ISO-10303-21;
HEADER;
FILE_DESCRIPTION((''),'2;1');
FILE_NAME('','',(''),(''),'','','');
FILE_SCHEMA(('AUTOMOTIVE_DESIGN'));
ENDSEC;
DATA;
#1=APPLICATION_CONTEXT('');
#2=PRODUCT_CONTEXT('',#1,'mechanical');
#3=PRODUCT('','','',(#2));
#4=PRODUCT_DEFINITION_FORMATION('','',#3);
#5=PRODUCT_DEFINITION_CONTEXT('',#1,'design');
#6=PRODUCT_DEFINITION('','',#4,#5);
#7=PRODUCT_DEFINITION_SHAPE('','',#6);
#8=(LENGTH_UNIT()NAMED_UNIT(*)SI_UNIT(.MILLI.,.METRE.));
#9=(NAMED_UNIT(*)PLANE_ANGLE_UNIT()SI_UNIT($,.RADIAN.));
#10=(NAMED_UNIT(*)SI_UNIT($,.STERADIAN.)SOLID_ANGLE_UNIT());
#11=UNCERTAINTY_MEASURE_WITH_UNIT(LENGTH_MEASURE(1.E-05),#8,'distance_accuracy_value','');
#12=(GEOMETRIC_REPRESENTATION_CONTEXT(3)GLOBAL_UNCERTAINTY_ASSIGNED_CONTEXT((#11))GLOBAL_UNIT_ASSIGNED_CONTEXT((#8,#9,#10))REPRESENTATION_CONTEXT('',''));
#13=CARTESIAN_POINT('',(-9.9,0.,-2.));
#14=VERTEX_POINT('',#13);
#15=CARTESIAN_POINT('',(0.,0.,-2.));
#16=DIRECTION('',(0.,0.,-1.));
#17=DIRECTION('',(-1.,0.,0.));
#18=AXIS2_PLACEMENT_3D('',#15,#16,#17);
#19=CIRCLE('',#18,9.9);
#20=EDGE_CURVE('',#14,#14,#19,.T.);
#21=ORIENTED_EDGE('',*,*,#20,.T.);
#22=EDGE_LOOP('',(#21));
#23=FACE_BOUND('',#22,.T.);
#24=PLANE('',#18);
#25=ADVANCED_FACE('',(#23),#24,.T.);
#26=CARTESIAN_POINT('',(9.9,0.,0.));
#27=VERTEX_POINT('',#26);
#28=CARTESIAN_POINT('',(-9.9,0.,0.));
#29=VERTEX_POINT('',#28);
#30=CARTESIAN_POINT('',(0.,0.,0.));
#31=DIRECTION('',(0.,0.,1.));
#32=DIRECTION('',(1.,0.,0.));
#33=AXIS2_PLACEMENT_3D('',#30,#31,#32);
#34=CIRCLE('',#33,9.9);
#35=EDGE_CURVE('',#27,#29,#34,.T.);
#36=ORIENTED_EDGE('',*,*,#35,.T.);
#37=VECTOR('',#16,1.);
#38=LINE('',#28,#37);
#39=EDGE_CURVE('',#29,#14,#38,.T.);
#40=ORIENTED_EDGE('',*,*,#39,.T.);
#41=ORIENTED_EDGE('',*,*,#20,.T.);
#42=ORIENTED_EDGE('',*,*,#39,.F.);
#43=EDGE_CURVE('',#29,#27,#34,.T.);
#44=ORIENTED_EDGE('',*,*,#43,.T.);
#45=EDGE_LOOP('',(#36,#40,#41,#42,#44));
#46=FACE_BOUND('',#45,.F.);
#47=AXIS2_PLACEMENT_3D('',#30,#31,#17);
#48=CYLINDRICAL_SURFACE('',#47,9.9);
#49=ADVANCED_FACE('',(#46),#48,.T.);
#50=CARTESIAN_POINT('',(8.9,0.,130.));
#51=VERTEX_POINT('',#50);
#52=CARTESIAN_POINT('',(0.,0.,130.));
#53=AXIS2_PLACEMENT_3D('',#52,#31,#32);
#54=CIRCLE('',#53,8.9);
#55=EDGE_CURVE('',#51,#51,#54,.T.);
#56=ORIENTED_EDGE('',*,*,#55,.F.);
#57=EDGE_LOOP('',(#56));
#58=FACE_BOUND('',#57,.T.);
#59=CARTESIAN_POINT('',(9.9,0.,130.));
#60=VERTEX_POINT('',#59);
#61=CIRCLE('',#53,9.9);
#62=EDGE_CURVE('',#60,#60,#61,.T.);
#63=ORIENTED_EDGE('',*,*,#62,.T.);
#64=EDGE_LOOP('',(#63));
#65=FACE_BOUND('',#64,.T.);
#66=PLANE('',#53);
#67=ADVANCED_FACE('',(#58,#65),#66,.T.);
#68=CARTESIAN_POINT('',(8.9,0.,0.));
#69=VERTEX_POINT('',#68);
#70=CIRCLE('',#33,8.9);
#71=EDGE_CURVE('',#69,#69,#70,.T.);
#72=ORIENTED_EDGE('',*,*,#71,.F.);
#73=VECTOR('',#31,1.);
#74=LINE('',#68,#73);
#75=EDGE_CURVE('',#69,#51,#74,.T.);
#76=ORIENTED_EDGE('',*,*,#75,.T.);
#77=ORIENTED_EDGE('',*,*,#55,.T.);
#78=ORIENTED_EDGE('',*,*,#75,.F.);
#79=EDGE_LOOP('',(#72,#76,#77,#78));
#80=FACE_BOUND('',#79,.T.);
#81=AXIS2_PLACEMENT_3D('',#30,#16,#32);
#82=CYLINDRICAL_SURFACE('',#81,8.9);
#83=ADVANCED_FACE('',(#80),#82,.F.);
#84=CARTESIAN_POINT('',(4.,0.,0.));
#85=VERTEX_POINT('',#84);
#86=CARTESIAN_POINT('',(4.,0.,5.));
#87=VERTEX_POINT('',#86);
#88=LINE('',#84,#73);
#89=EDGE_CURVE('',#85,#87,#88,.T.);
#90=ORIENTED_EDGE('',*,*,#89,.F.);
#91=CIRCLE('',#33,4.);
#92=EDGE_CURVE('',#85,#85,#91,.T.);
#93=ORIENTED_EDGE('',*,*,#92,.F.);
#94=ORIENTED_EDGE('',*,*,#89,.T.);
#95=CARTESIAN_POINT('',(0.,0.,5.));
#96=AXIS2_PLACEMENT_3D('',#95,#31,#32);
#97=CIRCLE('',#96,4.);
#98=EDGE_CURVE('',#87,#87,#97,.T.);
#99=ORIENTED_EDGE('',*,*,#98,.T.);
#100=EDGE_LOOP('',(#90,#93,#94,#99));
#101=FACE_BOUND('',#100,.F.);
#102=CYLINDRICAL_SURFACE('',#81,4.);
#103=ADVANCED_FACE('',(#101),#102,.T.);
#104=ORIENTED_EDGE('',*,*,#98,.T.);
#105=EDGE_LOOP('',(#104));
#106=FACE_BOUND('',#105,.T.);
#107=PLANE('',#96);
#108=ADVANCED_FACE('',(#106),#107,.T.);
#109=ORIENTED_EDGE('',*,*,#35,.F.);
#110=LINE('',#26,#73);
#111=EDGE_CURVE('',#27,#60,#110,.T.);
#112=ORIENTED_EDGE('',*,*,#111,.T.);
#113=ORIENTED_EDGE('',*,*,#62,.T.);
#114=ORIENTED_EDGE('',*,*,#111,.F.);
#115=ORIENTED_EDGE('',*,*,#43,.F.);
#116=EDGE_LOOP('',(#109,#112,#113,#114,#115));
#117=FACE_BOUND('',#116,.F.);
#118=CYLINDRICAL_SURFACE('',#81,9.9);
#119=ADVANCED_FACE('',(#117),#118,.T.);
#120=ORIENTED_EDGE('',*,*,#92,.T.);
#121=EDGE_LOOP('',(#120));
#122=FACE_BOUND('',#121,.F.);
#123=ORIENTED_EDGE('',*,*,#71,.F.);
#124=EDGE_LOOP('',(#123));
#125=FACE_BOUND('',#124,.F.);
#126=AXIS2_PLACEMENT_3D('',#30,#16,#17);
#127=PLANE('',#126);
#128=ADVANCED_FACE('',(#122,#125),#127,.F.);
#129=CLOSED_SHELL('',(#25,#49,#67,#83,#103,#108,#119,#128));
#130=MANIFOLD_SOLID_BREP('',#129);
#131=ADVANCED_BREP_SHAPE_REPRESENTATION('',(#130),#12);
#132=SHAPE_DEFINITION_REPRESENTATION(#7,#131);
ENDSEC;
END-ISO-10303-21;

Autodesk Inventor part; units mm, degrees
ref_plane "YZ Plane" through (0, 0, 0) normal (1, 0, 0) x (0, 1, 0)
ref_plane "XZ Plane" through (0, 0, 0) normal (0, 1, 0) x (-1, 0, 0)
ref_plane "XY Plane" through (0, 0, 0) normal (0, 0, 1) x (1, 0, 0)
sketch "Sketch1" plane through (0, 0, 0) normal (0, 0, 1) x (1, 0, 0)
  circle A0 centre (0, 0) radius 8.9
  circle A1 centre (0, 0) radius 9.9
  dimension "d0" = 17.8
  dimension "d1" = 19.8
extrude "Extrusion1" add sketch "Sketch1" along normal blind 130
sketch "Sketch2" plane through (0, 0, 0) normal (0, 0, -1) x (-1, 0, 0)
  circle A0 centre (0, 0) radius 9.9
  circle A1 centre (0, 0) radius 4
  dimension "d4" = 8
extrude "Extrusion2" add sketch "Sketch2" along normal blind 2 contours A0 | A1
sketch "Sketch3" plane through (0, 0, 0) normal (0, 0, 1) x (1, 0, 0)
  circle A0 centre (0, 0) radius 4
  dimension "d7" = 8
extrude "Extrusion3" add sketch "Sketch3" along normal blind 5
properties part number "cuerpo"
